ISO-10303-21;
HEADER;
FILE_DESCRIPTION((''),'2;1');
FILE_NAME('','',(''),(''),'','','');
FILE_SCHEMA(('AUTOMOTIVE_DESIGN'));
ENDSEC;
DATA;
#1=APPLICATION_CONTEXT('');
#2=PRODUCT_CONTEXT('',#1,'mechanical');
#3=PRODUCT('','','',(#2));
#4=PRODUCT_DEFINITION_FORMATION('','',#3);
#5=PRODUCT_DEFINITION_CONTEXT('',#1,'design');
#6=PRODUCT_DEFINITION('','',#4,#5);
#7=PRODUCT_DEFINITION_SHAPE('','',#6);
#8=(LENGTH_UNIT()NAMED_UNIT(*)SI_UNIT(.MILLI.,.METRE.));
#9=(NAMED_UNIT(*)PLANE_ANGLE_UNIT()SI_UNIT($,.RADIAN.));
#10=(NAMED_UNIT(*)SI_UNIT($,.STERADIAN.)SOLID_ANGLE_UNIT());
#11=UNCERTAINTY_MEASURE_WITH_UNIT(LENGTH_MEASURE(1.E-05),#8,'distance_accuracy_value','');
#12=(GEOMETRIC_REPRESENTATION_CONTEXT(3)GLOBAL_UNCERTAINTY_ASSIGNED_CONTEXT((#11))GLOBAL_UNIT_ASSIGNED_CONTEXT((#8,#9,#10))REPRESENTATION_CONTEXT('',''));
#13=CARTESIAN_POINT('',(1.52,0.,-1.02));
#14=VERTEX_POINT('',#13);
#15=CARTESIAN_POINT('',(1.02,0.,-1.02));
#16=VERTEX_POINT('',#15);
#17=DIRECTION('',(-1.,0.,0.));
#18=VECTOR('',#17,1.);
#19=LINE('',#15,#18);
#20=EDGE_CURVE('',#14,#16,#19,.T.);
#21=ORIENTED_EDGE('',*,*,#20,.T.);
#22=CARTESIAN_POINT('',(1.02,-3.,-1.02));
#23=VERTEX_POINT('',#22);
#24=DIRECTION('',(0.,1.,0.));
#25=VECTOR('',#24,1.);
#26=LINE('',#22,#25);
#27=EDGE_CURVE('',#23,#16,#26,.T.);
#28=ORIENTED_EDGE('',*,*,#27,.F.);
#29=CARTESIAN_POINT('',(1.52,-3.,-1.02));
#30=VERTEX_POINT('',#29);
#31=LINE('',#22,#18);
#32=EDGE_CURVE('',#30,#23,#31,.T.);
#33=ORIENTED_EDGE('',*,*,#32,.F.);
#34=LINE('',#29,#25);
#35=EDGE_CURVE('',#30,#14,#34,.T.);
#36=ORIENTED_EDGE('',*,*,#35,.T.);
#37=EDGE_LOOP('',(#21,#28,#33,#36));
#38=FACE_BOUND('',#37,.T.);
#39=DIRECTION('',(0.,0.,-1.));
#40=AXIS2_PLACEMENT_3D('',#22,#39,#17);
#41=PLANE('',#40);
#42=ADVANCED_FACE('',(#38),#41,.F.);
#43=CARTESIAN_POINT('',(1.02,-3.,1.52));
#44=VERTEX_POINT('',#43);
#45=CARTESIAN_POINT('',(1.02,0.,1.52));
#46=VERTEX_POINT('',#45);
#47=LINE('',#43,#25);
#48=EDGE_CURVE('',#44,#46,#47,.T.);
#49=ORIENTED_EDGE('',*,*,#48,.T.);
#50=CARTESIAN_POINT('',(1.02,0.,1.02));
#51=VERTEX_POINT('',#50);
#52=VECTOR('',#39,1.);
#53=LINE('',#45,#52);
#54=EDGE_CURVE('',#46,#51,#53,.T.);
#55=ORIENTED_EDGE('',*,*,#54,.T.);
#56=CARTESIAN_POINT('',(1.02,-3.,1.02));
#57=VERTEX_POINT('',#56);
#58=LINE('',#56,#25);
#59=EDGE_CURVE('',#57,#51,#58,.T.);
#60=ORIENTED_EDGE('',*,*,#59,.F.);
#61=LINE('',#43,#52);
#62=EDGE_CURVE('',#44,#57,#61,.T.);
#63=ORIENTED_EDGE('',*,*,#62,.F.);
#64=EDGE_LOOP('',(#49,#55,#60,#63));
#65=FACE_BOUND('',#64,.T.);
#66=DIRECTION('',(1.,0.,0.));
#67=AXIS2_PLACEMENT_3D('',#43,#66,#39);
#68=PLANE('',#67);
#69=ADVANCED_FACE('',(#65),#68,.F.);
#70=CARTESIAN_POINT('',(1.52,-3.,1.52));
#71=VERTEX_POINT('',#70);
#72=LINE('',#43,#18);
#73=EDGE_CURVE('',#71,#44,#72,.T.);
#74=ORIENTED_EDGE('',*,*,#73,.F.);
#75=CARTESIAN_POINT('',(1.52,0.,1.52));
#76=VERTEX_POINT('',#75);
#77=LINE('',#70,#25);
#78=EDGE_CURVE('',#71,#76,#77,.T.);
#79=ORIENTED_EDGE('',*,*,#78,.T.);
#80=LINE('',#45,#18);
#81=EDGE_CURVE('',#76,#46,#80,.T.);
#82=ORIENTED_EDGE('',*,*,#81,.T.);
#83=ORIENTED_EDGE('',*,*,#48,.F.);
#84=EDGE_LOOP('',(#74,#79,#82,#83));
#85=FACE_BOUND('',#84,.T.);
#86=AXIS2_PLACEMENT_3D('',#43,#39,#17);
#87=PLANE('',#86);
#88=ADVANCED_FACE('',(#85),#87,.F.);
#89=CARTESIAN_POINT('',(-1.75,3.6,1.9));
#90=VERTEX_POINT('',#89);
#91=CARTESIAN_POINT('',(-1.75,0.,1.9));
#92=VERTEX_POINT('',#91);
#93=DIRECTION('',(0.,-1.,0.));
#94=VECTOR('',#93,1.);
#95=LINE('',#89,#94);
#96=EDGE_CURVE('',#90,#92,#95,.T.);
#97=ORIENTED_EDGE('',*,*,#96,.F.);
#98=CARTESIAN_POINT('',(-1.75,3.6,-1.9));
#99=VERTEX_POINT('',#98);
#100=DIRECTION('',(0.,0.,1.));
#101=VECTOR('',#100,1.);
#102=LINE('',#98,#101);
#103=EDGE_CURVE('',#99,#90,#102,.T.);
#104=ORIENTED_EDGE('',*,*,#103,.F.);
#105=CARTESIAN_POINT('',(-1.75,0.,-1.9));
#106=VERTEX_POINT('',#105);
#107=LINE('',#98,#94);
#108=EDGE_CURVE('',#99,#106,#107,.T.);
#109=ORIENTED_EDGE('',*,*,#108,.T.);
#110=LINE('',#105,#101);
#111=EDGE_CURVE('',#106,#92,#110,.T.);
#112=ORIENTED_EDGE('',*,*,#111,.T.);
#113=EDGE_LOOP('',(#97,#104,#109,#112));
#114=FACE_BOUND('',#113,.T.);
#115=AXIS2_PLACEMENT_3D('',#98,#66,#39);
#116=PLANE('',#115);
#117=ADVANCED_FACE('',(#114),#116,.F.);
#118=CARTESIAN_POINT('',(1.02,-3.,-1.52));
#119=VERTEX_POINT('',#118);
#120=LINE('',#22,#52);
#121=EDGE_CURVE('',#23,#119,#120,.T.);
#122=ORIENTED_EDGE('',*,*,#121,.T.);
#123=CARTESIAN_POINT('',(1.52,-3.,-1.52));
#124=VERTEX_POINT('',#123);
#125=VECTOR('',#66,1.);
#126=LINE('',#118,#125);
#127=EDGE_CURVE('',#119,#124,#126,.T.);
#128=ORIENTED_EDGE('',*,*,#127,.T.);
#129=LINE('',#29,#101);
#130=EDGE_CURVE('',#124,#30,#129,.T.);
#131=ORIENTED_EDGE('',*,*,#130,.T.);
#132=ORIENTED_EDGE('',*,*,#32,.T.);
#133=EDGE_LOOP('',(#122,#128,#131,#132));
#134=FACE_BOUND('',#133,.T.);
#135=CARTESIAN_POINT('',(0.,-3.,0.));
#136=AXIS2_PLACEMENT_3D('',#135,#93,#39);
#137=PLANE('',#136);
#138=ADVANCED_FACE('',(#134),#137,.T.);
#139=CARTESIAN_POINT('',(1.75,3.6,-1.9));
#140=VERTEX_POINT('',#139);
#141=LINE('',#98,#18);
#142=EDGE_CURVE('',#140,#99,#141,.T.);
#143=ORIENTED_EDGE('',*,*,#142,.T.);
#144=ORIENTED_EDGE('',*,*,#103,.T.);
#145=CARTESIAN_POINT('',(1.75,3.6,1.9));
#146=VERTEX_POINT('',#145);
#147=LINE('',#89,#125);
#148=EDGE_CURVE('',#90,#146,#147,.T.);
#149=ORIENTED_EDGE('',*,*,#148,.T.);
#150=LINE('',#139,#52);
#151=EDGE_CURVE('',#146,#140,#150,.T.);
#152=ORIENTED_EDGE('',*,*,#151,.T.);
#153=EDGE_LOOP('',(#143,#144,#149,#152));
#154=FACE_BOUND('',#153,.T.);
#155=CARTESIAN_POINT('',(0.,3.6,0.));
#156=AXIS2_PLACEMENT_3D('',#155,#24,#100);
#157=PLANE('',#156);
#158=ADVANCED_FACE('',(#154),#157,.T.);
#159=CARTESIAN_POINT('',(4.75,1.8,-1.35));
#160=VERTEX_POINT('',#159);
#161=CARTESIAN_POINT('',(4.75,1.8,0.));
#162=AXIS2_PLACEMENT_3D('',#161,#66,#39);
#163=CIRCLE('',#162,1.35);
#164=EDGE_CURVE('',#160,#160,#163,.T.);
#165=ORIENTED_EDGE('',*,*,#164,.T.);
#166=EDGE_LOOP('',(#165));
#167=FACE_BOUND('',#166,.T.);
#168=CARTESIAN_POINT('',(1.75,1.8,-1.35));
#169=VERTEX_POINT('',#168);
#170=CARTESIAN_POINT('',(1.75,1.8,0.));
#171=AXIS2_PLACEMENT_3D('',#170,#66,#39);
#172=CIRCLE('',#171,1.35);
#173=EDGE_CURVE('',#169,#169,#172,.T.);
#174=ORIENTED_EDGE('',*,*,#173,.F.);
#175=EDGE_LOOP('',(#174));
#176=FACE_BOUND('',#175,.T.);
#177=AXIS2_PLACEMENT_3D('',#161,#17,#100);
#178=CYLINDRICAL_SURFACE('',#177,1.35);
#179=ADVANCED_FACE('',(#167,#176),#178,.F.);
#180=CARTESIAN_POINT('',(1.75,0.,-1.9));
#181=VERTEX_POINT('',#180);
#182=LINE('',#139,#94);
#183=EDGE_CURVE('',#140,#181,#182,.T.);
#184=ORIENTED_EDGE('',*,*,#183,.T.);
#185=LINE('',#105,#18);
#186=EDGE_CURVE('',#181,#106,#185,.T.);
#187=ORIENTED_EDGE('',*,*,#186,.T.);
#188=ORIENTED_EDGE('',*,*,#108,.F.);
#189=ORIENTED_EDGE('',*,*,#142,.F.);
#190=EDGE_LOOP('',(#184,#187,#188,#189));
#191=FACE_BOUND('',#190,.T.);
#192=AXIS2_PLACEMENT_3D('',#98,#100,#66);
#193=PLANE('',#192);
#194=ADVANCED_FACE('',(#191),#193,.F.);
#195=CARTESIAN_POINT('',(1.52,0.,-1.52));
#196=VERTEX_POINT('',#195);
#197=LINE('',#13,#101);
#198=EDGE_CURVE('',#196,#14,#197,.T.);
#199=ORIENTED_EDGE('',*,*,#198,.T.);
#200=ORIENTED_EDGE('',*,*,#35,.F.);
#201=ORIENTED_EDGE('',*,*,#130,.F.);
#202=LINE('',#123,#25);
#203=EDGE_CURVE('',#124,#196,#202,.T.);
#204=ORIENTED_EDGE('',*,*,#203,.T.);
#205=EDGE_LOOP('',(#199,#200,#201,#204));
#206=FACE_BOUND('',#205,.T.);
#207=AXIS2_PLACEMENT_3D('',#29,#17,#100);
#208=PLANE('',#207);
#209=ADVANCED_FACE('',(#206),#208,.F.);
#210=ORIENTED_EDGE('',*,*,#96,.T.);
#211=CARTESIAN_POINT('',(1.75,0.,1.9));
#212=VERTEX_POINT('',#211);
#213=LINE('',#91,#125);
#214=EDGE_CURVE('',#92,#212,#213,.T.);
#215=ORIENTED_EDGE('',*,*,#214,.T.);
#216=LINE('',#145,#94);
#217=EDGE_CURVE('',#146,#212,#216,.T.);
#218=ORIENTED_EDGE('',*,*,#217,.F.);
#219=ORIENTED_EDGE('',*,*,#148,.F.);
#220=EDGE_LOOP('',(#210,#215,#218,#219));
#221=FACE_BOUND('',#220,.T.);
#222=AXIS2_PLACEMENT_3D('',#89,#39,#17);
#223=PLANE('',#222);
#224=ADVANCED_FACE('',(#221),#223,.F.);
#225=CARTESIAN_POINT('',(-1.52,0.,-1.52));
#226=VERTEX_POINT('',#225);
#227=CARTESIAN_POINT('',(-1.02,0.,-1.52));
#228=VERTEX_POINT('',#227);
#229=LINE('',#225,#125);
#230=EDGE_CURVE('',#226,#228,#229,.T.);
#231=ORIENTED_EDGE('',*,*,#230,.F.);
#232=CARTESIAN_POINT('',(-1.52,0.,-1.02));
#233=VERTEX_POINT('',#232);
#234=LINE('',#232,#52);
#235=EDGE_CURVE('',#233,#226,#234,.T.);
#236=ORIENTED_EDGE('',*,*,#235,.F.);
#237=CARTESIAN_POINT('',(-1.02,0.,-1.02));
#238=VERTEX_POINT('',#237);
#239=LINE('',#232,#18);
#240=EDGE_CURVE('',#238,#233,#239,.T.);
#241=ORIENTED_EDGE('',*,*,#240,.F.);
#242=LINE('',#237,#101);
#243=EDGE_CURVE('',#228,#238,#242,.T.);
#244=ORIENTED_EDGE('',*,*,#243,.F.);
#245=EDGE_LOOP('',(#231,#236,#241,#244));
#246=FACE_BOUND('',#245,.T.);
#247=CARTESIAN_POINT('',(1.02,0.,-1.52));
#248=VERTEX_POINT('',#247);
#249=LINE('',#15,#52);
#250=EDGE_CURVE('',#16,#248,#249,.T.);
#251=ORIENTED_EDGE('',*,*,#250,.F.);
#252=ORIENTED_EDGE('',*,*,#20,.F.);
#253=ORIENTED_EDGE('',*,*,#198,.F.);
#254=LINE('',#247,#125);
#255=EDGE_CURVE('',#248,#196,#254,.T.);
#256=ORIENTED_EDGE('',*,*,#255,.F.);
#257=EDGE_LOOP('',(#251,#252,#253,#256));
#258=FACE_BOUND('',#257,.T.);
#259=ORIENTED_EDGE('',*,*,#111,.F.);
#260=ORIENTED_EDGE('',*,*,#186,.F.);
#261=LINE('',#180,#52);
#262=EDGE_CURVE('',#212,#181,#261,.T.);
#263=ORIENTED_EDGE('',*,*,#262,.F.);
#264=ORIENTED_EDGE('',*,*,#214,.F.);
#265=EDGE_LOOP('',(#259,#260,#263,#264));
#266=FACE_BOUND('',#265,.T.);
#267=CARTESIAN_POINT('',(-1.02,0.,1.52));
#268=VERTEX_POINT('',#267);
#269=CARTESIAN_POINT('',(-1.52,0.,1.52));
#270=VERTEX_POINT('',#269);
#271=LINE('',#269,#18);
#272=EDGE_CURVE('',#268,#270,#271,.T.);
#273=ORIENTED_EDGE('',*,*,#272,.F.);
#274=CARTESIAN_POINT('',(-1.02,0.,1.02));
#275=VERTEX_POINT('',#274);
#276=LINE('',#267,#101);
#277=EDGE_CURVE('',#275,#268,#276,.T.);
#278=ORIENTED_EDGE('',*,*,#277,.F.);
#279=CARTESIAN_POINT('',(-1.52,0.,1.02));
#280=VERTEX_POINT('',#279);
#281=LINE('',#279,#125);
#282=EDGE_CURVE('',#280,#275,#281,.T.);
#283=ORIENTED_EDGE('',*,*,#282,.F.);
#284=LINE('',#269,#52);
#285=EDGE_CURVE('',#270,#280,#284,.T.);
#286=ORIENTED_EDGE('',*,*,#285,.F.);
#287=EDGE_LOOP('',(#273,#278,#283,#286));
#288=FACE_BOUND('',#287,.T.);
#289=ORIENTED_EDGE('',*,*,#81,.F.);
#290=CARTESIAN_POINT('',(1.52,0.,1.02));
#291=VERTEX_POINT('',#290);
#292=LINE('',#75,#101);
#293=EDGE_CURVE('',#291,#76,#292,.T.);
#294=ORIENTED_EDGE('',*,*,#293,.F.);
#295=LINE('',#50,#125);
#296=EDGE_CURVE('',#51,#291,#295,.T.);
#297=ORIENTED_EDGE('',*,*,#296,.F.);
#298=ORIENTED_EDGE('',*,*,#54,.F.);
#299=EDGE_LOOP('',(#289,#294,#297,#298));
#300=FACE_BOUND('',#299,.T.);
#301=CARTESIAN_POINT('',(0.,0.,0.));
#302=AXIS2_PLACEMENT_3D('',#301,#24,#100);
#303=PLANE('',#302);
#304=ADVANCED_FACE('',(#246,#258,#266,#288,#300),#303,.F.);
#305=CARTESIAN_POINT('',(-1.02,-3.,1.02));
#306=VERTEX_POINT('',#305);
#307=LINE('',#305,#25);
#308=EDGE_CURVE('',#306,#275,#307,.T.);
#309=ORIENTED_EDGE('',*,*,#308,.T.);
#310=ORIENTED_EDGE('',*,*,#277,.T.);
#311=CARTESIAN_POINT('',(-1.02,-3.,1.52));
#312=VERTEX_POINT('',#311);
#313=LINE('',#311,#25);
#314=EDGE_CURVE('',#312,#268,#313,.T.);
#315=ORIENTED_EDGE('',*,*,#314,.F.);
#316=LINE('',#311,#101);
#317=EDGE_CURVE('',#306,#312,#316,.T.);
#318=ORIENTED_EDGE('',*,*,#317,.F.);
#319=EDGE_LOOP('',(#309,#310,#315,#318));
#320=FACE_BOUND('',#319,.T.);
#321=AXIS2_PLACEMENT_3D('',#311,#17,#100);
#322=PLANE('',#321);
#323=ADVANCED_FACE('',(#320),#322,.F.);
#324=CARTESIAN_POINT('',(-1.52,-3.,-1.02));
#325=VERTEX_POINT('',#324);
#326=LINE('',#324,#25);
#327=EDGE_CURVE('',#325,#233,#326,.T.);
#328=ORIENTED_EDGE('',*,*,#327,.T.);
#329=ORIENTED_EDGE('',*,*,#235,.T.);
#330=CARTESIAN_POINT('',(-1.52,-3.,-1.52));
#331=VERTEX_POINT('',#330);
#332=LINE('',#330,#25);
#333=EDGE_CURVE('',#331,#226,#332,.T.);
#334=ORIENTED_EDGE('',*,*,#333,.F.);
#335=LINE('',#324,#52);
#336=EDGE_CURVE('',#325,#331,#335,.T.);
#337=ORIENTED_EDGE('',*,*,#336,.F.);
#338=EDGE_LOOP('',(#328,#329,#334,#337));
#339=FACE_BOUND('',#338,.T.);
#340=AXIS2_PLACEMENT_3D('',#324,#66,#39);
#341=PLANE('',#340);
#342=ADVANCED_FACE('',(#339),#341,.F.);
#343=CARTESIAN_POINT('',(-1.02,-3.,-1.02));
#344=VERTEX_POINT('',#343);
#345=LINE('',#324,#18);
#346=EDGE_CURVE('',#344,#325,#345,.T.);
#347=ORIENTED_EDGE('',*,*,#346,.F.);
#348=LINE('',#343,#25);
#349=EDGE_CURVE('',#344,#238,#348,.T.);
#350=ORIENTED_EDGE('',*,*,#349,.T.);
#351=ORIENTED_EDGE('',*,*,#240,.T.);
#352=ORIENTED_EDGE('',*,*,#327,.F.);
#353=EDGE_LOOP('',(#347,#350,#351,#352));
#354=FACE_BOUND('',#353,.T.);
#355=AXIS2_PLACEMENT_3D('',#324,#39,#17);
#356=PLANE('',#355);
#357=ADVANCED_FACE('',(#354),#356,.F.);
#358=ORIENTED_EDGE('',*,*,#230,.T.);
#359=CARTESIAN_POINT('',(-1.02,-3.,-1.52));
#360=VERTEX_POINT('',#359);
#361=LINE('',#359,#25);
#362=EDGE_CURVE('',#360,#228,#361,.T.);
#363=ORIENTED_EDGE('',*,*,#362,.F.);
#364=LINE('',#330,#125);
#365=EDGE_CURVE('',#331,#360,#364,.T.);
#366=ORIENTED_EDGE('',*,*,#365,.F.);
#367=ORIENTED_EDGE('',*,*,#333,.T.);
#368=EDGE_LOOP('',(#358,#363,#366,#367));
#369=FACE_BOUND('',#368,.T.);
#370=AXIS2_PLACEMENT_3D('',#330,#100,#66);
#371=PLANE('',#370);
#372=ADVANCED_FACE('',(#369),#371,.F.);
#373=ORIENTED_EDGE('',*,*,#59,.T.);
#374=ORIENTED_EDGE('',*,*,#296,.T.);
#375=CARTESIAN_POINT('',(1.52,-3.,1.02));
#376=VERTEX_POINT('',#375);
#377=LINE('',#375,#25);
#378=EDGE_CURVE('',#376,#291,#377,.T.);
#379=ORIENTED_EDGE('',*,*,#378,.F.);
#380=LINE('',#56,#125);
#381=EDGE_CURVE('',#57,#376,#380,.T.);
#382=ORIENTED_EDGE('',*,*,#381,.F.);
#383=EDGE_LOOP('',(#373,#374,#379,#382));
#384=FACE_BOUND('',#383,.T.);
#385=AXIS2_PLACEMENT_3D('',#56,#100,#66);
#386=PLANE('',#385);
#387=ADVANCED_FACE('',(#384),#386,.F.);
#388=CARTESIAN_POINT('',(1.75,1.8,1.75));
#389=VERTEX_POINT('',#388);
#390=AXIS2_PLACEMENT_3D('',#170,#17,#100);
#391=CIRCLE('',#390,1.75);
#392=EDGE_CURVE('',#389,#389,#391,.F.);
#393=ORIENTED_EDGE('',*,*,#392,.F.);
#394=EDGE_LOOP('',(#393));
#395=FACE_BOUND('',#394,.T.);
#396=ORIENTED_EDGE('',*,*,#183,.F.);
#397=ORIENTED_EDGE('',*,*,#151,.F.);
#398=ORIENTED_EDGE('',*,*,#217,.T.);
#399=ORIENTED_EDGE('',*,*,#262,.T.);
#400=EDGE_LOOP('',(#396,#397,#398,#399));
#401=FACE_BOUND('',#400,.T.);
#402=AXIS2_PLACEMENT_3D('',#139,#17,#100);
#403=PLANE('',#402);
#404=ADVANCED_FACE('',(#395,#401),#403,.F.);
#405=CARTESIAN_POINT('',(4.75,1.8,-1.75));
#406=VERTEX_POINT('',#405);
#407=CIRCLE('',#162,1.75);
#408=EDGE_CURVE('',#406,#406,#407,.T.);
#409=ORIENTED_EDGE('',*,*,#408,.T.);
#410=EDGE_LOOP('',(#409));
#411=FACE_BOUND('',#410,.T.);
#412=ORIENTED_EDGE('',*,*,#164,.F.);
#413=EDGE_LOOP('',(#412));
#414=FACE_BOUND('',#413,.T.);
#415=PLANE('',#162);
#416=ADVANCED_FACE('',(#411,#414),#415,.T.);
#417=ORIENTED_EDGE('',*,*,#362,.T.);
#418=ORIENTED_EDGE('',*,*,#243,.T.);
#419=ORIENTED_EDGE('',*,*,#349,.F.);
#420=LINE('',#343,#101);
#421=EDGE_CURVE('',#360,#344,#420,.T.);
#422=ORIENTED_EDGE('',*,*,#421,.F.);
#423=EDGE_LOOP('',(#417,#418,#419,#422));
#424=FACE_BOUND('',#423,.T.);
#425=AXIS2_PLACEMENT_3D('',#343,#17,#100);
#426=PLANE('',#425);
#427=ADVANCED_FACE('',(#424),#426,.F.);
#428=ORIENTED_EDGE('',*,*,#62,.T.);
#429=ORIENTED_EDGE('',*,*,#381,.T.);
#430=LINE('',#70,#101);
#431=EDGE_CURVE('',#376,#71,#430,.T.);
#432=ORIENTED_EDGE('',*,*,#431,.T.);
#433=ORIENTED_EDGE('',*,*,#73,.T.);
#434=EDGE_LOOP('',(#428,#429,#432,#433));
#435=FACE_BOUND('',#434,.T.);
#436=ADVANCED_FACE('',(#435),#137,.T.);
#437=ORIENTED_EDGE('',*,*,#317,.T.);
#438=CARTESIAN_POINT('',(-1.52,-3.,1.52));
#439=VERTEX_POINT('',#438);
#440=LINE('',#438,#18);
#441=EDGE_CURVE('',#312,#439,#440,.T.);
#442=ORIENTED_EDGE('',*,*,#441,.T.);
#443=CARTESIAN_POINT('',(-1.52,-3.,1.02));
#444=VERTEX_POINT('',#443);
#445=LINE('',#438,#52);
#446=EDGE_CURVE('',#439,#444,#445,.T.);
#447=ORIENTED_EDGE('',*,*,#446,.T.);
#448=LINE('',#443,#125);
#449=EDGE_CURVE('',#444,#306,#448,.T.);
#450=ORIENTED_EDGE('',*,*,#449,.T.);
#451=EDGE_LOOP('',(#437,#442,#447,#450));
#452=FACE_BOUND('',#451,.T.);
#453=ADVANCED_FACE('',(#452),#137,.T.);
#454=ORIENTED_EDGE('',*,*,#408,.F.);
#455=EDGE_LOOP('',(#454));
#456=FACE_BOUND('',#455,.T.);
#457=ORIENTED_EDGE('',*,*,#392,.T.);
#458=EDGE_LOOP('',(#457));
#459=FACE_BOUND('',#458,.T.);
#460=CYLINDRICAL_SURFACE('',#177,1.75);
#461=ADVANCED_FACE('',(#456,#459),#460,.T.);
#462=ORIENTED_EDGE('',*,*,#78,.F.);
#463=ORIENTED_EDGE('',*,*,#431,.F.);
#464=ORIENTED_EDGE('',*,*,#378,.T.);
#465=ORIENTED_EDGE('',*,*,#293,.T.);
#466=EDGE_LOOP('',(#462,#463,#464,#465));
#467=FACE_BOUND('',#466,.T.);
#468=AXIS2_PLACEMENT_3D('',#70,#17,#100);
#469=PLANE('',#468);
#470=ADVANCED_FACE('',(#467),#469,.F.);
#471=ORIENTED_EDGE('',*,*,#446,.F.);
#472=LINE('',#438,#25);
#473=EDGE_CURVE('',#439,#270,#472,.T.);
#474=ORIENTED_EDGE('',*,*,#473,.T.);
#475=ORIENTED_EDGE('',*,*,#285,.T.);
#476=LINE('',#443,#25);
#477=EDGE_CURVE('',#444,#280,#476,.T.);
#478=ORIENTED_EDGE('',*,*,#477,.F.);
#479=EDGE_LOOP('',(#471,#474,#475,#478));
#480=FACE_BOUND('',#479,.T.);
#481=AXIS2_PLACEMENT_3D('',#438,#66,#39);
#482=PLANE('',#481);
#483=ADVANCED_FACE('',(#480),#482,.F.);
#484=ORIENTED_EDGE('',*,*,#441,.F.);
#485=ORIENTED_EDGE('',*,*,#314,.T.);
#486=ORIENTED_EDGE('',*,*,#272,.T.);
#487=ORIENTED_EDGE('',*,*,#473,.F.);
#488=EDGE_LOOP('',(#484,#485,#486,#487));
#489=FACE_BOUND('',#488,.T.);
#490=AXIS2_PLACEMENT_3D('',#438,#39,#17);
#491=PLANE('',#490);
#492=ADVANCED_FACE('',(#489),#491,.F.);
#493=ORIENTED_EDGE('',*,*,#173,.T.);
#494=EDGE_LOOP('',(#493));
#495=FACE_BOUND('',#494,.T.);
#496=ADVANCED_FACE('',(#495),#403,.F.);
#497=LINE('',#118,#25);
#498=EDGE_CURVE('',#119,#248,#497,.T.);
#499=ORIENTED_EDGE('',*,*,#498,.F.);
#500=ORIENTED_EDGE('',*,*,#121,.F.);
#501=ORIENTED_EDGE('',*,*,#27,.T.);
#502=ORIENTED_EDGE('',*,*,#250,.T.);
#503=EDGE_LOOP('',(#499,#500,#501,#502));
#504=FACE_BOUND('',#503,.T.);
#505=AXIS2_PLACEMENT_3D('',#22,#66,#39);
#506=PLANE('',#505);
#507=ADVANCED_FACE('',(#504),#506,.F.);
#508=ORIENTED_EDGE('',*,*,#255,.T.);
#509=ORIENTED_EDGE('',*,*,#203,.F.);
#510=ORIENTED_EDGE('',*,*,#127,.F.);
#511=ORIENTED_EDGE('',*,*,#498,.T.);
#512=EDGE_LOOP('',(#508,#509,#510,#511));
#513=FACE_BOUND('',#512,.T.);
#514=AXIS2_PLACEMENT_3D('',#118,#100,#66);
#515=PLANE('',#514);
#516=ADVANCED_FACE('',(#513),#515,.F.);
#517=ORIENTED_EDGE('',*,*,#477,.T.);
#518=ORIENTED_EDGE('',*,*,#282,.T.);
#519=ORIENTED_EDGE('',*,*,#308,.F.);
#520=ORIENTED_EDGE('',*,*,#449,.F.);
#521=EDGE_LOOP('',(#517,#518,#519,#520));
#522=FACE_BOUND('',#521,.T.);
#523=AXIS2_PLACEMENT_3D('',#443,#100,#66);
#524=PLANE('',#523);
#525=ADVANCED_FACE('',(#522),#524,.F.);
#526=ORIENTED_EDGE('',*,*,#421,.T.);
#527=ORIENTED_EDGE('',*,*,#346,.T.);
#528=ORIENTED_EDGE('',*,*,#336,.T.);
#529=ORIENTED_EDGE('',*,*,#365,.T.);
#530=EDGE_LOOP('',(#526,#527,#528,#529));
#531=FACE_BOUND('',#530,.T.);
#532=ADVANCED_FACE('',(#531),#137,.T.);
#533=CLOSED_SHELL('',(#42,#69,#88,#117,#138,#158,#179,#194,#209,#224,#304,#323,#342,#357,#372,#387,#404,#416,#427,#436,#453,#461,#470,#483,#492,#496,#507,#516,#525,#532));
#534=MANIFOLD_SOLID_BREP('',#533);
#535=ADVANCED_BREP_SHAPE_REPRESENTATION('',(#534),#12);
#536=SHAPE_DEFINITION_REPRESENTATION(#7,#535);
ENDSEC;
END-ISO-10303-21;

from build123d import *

# Parameters (mm, degrees)
SKETCH1_W           = 3.5
SKETCH1_H           = 3.8
BOSS_EXTRUDE1_DEPTH = 3.6
SKETCH2_R           = 1.75
SKETCH2_R_2         = 1.35
BOSS_EXTRUDE2_DEPTH = 3
SKETCH3_W           = 0.5
SKETCH3_H           = 0.5
BOSS_EXTRUDE3_DEPTH = 3


with BuildPart() as part:
    # Sketch1 → Boss-Extrude1 (new body)
    with BuildSketch(Plane(origin=(0, 0, 0), x_dir=(1, 0, 0), z_dir=(0, 1, 0))):
        Rectangle(SKETCH1_W, SKETCH1_H)
    extrude(amount=BOSS_EXTRUDE1_DEPTH)

    # Sketch2 → Boss-Extrude2 (add)
    with BuildSketch(Plane(origin=(1.75, 0, 0), x_dir=(0, 0, -1), z_dir=(1, 0, 0))):
        with Locations(Location((0, 1.8, 0), (0, 0, 180))):
            Circle(SKETCH2_R)
        with Locations((0, 1.8)):
            Circle(SKETCH2_R_2, mode=Mode.SUBTRACT)
    extrude(amount=BOSS_EXTRUDE2_DEPTH)

    # Sketch3 → Boss-Extrude3 (add)
    with BuildSketch(Plane.XZ):
        with Locations((-1.27, 1.27)):
            Rectangle(SKETCH3_W, SKETCH3_H)
        with Locations((-1.27, -1.27)):
            Rectangle(SKETCH3_W, SKETCH3_H)
        with Locations((1.27, 1.27)):
            Rectangle(SKETCH3_W, SKETCH3_H)
        with Locations((1.27, -1.27)):
            Rectangle(SKETCH3_W, SKETCH3_H)
    extrude(amount=BOSS_EXTRUDE3_DEPTH)


solid = part.part
